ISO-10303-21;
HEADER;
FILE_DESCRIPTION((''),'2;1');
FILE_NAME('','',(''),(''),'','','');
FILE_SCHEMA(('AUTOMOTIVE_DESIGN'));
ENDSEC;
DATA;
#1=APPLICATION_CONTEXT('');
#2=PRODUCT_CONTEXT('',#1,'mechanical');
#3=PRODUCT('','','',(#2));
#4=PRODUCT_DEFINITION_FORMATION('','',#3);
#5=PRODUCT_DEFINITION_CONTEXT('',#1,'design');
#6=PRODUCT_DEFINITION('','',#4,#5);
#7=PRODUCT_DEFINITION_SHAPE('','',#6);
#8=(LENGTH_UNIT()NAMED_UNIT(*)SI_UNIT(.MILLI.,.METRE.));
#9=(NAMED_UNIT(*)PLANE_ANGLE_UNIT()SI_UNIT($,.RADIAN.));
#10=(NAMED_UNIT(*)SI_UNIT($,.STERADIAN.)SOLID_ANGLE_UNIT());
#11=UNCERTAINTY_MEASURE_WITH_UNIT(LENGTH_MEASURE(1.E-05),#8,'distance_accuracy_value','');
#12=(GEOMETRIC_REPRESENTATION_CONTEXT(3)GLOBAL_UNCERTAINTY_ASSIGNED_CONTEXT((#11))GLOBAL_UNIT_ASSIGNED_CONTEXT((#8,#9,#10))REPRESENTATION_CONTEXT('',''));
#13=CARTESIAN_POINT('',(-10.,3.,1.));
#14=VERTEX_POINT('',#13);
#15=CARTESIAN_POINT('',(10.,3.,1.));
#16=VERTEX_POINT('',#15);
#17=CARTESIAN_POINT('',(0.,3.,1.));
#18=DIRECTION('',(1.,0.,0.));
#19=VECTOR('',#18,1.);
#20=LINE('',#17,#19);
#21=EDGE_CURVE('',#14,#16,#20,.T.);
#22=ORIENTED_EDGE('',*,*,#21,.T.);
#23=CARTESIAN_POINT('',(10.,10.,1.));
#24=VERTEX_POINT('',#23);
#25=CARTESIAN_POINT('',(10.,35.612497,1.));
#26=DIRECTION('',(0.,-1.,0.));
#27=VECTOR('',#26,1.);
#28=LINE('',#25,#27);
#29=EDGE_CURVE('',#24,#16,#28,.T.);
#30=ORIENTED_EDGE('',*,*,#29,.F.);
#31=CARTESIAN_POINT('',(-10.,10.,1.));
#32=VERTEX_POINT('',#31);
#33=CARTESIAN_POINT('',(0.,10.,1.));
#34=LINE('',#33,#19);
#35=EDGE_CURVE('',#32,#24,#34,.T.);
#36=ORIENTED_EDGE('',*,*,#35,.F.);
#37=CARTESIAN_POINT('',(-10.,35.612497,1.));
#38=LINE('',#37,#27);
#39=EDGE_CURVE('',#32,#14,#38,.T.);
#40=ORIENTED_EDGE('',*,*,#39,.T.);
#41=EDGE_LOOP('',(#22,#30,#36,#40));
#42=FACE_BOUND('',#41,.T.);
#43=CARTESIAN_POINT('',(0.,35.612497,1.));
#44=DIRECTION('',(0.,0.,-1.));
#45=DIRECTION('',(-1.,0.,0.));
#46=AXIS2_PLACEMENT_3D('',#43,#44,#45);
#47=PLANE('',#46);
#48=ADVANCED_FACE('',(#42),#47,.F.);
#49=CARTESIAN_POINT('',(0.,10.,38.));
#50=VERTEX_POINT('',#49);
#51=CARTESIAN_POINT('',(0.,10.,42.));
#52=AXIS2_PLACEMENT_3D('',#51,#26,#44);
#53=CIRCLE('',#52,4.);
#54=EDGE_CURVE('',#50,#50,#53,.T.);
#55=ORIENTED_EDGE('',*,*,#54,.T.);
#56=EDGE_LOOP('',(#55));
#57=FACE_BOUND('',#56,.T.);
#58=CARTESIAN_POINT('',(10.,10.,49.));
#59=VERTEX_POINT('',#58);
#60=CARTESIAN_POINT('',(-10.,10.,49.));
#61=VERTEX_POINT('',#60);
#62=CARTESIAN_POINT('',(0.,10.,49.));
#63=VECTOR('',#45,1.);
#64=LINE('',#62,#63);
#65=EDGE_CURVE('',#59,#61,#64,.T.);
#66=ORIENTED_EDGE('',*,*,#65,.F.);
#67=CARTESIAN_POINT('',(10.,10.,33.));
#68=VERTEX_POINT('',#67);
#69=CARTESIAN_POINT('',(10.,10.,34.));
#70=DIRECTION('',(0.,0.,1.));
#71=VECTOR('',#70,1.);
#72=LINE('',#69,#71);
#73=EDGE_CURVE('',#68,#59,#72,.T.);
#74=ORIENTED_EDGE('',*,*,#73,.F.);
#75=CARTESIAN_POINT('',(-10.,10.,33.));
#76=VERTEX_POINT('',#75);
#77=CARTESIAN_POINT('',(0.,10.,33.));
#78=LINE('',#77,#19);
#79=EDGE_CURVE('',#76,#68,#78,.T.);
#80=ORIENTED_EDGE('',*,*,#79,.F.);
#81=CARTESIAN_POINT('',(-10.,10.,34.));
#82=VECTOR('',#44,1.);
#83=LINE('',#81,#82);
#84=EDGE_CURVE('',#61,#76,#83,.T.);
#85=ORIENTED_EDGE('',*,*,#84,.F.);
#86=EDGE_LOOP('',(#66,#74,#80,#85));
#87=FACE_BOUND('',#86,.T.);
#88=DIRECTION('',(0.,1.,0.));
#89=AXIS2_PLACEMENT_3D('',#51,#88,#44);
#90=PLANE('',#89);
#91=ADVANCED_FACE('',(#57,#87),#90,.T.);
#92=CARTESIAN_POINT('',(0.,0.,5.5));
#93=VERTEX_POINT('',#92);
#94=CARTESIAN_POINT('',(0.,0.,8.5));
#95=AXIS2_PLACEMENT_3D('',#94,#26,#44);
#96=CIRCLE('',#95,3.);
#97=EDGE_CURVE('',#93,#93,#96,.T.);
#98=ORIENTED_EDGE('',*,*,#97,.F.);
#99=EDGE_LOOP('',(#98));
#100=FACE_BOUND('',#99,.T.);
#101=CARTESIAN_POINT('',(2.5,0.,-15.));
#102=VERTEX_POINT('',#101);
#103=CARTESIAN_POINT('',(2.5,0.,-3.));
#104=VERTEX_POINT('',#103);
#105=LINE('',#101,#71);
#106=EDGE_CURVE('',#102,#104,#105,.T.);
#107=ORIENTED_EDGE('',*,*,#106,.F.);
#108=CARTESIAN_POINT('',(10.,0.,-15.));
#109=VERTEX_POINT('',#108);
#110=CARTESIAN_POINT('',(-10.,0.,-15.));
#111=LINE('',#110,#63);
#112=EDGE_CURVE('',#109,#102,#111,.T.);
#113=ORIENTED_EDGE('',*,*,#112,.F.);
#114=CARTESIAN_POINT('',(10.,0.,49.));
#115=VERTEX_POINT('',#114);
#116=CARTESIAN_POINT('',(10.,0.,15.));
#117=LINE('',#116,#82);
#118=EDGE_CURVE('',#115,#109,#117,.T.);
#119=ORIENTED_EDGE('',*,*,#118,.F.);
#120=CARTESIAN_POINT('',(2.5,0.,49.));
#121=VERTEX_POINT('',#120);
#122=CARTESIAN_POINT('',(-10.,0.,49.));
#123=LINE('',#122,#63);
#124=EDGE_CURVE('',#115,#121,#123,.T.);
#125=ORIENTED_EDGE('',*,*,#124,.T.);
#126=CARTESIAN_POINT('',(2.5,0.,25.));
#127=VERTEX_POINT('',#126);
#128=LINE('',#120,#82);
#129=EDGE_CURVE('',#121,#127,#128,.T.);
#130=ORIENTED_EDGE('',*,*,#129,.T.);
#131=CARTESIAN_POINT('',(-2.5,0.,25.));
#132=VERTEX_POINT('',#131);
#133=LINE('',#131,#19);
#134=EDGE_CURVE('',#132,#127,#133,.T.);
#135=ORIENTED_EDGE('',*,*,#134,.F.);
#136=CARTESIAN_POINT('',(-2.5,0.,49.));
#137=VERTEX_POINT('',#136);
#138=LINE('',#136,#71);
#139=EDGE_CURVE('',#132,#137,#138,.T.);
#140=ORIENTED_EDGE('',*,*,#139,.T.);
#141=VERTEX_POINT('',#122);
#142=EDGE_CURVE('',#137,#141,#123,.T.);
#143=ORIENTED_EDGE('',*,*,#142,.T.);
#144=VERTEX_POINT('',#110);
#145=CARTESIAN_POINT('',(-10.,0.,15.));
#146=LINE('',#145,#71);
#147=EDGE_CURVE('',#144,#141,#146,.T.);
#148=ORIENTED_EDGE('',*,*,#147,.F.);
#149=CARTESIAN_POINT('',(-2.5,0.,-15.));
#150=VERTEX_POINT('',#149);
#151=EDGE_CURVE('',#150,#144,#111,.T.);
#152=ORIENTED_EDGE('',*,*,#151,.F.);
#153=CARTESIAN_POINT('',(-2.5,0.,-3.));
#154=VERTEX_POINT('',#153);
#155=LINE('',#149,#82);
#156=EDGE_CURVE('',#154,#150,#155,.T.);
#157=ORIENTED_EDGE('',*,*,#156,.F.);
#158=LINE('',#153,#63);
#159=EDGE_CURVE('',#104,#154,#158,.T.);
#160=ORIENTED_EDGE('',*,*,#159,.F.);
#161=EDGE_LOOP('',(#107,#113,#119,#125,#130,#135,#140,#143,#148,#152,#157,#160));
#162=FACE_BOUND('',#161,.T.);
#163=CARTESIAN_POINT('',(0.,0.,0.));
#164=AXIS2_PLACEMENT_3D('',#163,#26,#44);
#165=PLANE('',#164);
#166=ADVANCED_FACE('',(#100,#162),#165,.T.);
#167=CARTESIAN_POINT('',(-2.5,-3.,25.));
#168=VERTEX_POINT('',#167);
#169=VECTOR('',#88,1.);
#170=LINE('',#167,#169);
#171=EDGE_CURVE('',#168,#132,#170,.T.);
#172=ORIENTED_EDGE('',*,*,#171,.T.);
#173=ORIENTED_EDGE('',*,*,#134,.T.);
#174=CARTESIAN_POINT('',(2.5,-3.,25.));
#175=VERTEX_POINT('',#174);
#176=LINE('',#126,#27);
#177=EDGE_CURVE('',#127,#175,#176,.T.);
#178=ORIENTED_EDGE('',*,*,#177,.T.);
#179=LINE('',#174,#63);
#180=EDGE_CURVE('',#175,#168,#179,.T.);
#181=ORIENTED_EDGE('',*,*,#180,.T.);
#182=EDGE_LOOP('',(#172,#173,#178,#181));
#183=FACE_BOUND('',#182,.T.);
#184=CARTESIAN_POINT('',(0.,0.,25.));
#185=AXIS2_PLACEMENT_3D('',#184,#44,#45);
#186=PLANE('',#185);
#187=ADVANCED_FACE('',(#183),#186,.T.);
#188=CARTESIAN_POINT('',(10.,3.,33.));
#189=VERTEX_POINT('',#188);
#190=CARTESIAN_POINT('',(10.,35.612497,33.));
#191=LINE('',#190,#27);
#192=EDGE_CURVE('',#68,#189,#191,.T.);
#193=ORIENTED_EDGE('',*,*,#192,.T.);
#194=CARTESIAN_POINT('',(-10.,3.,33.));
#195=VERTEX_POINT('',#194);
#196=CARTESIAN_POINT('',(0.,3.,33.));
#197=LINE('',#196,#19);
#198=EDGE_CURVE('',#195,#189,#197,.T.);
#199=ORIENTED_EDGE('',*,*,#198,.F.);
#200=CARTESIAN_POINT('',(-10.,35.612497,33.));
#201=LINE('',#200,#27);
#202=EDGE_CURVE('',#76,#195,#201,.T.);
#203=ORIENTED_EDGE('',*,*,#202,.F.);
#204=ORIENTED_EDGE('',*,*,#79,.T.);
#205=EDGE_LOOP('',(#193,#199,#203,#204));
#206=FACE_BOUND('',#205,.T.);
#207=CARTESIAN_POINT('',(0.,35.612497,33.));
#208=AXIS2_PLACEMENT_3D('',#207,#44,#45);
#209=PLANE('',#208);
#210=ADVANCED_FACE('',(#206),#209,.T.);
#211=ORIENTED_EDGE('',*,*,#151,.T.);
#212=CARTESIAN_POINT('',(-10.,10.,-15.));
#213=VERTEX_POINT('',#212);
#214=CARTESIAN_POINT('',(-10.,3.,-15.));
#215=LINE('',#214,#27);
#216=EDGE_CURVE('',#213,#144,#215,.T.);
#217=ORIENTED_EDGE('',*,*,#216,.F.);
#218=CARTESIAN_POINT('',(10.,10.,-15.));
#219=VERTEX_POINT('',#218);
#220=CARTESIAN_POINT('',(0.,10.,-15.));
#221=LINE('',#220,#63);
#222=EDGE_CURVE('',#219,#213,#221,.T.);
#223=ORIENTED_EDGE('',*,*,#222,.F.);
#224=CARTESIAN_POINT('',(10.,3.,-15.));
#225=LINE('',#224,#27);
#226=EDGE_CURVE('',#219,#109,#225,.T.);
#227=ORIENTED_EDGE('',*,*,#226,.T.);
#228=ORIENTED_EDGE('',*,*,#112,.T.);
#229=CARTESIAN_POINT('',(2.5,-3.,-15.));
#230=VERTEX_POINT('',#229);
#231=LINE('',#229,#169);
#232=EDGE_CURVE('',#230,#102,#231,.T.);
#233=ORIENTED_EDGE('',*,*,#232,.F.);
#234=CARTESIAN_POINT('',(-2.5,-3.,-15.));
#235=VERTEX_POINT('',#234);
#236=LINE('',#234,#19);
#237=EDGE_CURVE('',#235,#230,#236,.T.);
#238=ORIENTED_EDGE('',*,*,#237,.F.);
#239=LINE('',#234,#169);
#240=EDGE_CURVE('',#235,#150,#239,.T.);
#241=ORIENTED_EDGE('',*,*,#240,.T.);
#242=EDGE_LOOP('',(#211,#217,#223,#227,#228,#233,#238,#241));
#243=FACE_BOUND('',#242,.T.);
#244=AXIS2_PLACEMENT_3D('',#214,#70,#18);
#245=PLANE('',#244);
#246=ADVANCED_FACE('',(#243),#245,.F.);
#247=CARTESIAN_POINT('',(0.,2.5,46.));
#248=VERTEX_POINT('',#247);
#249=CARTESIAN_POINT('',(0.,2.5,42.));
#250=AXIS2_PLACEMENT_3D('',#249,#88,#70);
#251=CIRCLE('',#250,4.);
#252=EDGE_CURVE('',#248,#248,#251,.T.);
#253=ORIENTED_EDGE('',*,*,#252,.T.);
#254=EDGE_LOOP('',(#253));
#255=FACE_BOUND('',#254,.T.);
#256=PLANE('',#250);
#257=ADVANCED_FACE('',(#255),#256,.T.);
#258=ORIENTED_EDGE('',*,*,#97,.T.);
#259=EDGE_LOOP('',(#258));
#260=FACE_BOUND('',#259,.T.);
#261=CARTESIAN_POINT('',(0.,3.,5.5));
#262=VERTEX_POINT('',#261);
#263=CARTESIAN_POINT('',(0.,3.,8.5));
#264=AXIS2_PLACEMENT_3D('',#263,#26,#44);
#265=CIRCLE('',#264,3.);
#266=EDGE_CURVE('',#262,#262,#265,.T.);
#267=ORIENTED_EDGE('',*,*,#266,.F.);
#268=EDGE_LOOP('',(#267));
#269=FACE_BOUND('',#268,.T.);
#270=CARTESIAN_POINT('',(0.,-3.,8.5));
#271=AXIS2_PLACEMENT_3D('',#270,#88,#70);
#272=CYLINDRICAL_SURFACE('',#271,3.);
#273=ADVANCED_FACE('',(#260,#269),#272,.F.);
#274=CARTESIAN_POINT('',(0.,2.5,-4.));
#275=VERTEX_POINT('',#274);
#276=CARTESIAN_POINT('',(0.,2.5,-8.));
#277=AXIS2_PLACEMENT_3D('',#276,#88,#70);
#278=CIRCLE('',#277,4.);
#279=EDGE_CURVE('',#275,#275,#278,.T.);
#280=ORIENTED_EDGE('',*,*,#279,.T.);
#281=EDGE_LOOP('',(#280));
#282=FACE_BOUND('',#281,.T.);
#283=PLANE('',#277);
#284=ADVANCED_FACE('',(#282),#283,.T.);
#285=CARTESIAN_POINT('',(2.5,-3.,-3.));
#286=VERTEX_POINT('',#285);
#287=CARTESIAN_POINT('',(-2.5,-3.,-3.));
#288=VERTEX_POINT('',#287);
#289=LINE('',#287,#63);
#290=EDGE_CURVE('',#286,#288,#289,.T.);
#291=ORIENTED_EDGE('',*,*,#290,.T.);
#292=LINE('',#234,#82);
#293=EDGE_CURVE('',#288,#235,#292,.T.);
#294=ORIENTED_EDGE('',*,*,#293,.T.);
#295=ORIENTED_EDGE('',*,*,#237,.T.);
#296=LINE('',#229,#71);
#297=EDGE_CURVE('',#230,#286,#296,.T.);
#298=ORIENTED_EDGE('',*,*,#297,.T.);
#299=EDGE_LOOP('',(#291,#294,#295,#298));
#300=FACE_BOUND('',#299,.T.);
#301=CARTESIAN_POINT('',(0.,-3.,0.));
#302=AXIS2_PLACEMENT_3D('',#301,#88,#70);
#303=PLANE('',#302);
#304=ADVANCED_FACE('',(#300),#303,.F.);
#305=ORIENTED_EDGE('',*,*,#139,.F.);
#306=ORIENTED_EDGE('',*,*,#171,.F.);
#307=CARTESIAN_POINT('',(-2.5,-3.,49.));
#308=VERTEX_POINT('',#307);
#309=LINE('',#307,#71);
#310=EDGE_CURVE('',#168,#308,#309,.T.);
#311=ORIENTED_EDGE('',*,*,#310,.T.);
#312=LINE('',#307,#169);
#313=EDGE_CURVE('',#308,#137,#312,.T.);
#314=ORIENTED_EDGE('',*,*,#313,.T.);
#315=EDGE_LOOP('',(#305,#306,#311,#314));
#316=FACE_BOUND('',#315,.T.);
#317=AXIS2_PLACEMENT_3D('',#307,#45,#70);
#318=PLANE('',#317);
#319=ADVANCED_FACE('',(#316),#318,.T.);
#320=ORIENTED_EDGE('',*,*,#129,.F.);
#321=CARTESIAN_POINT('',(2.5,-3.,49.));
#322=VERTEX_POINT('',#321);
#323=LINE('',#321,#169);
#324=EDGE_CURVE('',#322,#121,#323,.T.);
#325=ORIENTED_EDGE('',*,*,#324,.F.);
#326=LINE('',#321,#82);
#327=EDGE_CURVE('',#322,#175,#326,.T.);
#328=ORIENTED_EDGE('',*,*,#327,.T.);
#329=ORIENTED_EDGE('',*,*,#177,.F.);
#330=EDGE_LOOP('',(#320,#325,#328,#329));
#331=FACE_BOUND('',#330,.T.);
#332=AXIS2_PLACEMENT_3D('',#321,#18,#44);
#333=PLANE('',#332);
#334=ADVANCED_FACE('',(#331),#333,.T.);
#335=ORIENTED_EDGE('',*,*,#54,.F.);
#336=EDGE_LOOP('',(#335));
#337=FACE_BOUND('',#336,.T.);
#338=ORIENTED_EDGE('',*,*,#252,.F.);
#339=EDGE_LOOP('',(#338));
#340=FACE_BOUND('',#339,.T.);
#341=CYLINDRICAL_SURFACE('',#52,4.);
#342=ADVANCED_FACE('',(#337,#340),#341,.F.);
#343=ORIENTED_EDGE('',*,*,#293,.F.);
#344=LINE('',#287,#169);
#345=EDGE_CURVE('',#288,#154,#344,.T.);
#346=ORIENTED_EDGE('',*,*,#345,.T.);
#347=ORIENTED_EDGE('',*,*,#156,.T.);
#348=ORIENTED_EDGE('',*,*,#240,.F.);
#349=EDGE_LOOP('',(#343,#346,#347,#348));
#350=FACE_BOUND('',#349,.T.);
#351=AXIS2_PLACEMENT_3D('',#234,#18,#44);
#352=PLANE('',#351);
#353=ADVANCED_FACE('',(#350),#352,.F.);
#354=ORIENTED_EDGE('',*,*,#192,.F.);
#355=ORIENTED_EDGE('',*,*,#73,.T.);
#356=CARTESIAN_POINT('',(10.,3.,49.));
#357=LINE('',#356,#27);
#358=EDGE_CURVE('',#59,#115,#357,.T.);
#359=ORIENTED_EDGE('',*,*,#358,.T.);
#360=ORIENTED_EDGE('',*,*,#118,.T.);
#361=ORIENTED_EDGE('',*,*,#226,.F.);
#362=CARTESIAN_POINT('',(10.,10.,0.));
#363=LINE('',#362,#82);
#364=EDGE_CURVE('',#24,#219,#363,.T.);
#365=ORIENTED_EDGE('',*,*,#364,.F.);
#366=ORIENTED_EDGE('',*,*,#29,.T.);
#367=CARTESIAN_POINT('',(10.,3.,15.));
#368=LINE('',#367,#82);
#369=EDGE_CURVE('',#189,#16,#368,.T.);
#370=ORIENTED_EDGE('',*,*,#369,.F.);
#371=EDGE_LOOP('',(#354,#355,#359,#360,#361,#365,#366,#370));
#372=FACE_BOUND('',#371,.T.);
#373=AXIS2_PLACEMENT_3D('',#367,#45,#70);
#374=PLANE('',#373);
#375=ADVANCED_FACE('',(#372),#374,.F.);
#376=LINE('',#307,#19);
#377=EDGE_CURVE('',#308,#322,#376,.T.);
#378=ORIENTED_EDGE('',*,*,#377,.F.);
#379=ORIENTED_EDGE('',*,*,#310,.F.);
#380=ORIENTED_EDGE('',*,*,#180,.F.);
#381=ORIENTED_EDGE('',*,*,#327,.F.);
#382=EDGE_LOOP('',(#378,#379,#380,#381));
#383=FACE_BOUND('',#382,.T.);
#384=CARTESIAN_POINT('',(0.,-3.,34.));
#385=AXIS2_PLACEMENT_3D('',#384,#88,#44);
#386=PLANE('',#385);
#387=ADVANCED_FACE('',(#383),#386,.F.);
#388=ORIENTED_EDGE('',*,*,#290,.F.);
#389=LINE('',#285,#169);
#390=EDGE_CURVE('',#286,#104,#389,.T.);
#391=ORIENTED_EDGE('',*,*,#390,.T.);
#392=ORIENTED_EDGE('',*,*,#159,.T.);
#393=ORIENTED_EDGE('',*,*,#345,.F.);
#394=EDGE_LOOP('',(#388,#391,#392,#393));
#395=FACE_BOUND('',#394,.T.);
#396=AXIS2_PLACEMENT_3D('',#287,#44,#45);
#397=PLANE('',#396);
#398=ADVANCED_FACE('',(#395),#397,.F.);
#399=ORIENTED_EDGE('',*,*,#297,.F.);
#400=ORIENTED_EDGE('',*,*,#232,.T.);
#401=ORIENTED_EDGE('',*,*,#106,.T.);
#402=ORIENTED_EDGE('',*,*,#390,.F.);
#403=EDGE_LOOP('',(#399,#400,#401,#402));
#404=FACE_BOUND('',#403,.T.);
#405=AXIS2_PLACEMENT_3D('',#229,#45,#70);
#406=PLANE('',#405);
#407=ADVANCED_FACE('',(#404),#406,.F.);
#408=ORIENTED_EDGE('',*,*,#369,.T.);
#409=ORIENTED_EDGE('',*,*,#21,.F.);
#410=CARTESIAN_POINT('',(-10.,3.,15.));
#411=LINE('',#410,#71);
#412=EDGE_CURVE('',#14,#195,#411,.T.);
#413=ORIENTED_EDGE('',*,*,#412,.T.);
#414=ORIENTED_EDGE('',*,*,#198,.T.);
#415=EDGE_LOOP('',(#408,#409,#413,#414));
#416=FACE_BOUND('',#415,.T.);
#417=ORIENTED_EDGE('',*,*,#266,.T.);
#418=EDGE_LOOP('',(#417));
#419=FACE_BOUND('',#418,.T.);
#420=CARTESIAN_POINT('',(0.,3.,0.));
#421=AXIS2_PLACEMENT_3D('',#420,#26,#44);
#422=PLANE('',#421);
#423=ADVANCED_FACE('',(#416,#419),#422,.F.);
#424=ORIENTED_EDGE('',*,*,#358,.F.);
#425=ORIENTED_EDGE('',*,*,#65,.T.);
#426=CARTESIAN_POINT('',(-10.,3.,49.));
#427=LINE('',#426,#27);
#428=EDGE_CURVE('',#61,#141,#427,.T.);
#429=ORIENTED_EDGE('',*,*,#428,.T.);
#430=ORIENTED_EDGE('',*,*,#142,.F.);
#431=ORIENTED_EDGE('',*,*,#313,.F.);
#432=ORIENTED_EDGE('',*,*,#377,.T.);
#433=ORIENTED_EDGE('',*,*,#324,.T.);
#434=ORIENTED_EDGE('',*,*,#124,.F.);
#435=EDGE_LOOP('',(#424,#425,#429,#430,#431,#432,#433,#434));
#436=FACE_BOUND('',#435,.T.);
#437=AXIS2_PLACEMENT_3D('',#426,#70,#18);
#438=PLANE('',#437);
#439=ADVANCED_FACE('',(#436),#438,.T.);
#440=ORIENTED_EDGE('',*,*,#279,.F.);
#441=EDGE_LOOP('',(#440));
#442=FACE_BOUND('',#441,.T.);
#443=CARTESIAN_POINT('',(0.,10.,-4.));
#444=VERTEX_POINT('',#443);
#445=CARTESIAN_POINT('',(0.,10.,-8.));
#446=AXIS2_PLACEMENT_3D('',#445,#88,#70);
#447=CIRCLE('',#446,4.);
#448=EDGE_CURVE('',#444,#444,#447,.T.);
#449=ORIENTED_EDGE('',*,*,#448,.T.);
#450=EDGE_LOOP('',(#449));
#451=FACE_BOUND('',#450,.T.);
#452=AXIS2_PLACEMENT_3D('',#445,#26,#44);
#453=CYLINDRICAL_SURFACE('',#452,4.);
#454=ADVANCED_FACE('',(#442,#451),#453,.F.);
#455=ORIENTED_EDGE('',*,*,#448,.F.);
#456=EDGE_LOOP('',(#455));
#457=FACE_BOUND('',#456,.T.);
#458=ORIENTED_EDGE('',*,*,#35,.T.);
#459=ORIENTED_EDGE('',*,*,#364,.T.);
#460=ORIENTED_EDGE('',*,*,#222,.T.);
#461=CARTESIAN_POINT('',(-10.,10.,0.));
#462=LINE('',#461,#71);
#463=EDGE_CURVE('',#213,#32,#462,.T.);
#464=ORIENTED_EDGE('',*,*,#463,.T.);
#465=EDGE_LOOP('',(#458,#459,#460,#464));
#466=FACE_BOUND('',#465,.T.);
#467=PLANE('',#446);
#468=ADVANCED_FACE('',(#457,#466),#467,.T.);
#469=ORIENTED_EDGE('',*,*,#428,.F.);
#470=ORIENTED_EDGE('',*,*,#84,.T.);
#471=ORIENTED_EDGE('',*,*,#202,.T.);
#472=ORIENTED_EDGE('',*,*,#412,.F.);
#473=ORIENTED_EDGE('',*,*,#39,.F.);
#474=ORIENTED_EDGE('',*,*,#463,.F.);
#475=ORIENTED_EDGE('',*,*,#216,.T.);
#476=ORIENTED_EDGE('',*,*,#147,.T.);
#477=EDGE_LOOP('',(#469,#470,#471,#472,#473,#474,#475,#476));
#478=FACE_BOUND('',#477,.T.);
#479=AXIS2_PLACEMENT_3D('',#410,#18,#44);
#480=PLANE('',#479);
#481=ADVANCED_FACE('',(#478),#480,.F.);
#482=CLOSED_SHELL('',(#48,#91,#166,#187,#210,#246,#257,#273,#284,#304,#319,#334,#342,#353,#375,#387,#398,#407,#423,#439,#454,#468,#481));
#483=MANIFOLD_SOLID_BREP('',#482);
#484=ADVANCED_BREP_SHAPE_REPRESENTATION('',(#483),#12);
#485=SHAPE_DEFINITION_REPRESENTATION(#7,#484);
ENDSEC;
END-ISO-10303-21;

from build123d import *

# Parameters (mm, degrees)
SKETCH1_W               = 20
SKETCH1_H               = 30
BOSS_EXTRUDE1_DEPTH     = 3
SKETCH2_W               = 5
SKETCH2_H               = 12
BOSS_EXTRUDE2_DEPTH     = 3
SKETCH3_R               = 7
SKETCH3_R_2             = 4
BOSS_EXTRUDE3_DEPTH     = 7
SKETCH4_R               = 4
BOSS_EXTRUDE4_DEPTH     = 1
CUT_EXTRUDE1_DEPTH      = 20.339079606
CUT_EXTRUDE1_DEPTH_BACK = 20.339079606
SKETCH5_R               = 3
SKETCH6_R               = 7
SKETCH6_R_2             = 4
BOSS_EXTRUDE6_DEPTH     = 7
SKETCH7_W               = 20
SKETCH7_H               = 3
BOSS_EXTRUDE7_DEPTH     = 19
SKETCH8_W               = 5
SKETCH8_H               = 3
BOSS_EXTRUDE8_DEPTH     = 12
CUT_EXTRUDE2_START      = -1.5
SKETCH10_R              = 4
CUT_EXTRUDE2_DEPTH      = 1.5


with BuildPart() as part:
    # Sketch1 → Boss-Extrude1 (new body)
    with BuildSketch(Plane(origin=(0, 0, 0), x_dir=(1, 0, 0), z_dir=(0, 1, 0))):
        Rectangle(SKETCH1_W, SKETCH1_H)
    boss_extrude1 = extrude(amount=BOSS_EXTRUDE1_DEPTH)

    # Sketch2 → Boss-Extrude2 (add)
    with BuildSketch(Plane.XZ):
        with Locations((0, -9)):
            Rectangle(SKETCH2_W, SKETCH2_H)
    boss_extrude2 = extrude(amount=BOSS_EXTRUDE2_DEPTH)

    # Sketch3 → Boss-Extrude3 (add)
    with BuildSketch(Plane(origin=(0, 3, 0), x_dir=(1, 0, 0), z_dir=(0, 1, 0))):
        with Locations(Location((0, 8, 0), (0, 0, 90))):
            Circle(SKETCH3_R)
        with Locations(Location((0, 8, 0), (0, 0, 270))):
            Circle(SKETCH3_R_2, mode=Mode.SUBTRACT)
    boss_extrude3 = extrude(amount=BOSS_EXTRUDE3_DEPTH)

    # Sketch4 → Boss-Extrude4 (add)
    with BuildSketch(Plane(origin=(0, 3, 0), x_dir=(1, 0, 0), z_dir=(0, 1, 0))):
        with Locations(Location((0, 8, 0), (0, 0, 270))):
            Circle(SKETCH4_R)
    boss_extrude4 = extrude(amount=BOSS_EXTRUDE4_DEPTH)

    # Sketch5 → Cut-Extrude1 (cut, two sides: drawn at the far end of the back side and taken through both)
    with BuildSketch(Plane(origin=(0, 3, 0), x_dir=(1, 0, 0), z_dir=(0, 1, 0)).offset(-CUT_EXTRUDE1_DEPTH_BACK)):
        with Locations(Location((0, -8.5, 0), (0, 0, 90))):
            Circle(SKETCH5_R)
    extrude(amount=CUT_EXTRUDE1_DEPTH + CUT_EXTRUDE1_DEPTH_BACK, mode=Mode.SUBTRACT)

    # Sketch6 → Boss-Extrude6 (add)
    # profile 1 of 2: a face of its own
    with BuildSketch(Plane(origin=(0, 3, 0), x_dir=(1, 0, 0), z_dir=(0, 1, 0))):
        Polygon((0, 15), (-10, 15), (-10, -1), (10, -1), (10, 15), align=None)
        with BuildLine():
            ThreePointArc((7, 8), (-4.949747468, 3.050252532), (0, 15))
            ThreePointArc((0, 15), (4.949747468, 12.949747468), (7, 8))
        make_face(mode=Mode.SUBTRACT)
    # profile 2 of 2: a face of its own
    with BuildSketch(Plane(origin=(0, 3, 0), x_dir=(1, 0, 0), z_dir=(0, 1, 0))):
        with Locations((0, 8)):
            Circle(SKETCH6_R)
        with Locations(Location((0, 8, 0), (0, 0, 270))):
            Circle(SKETCH6_R_2, mode=Mode.SUBTRACT)
    boss_extrude6 = extrude(amount=BOSS_EXTRUDE6_DEPTH)

    # Sketch7 → Boss-Extrude7 (add)
    with BuildSketch(Plane.XY.offset(15)):
        with Locations((0, 1.5)):
            Rectangle(SKETCH7_W, SKETCH7_H)
    extrude(amount=BOSS_EXTRUDE7_DEPTH)

    # Mirror3: Boss-Extrude1, Boss-Extrude2, Boss-Extrude3, Boss-Extrude4, Boss-Extrude6 across plane
    add(boss_extrude1.mirror(Plane.XY.offset(17)))
    add(boss_extrude2.mirror(Plane.XY.offset(17)))
    add(boss_extrude3.mirror(Plane.XY.offset(17)))
    add(boss_extrude4.mirror(Plane.XY.offset(17)))
    add(boss_extrude6.mirror(Plane.XY.offset(17)))

    # Sketch8 → Boss-Extrude8 (add)
    with BuildSketch(Plane(origin=(0, 0, 37), x_dir=(-1, 0, 0), z_dir=(0, 0, -1))):
        with Locations((0, -1.5)):
            Rectangle(SKETCH8_W, SKETCH8_H)
    extrude(amount=BOSS_EXTRUDE8_DEPTH)

    # Sketch10 → Cut-Extrude2 (cut)
    with BuildSketch(Plane(origin=(0, 4, 0), x_dir=(1, 0, 0), z_dir=(0, 1, 0)).offset(CUT_EXTRUDE2_START)):
        with Locations(Location((0, 8, 0), (0, 0, 270))):
            Circle(SKETCH10_R)
        with Locations(Location((0, -42, 0), (0, 0, 90))):
            Circle(SKETCH10_R)
    extrude(amount=CUT_EXTRUDE2_DEPTH, mode=Mode.SUBTRACT)


solid = part.part
